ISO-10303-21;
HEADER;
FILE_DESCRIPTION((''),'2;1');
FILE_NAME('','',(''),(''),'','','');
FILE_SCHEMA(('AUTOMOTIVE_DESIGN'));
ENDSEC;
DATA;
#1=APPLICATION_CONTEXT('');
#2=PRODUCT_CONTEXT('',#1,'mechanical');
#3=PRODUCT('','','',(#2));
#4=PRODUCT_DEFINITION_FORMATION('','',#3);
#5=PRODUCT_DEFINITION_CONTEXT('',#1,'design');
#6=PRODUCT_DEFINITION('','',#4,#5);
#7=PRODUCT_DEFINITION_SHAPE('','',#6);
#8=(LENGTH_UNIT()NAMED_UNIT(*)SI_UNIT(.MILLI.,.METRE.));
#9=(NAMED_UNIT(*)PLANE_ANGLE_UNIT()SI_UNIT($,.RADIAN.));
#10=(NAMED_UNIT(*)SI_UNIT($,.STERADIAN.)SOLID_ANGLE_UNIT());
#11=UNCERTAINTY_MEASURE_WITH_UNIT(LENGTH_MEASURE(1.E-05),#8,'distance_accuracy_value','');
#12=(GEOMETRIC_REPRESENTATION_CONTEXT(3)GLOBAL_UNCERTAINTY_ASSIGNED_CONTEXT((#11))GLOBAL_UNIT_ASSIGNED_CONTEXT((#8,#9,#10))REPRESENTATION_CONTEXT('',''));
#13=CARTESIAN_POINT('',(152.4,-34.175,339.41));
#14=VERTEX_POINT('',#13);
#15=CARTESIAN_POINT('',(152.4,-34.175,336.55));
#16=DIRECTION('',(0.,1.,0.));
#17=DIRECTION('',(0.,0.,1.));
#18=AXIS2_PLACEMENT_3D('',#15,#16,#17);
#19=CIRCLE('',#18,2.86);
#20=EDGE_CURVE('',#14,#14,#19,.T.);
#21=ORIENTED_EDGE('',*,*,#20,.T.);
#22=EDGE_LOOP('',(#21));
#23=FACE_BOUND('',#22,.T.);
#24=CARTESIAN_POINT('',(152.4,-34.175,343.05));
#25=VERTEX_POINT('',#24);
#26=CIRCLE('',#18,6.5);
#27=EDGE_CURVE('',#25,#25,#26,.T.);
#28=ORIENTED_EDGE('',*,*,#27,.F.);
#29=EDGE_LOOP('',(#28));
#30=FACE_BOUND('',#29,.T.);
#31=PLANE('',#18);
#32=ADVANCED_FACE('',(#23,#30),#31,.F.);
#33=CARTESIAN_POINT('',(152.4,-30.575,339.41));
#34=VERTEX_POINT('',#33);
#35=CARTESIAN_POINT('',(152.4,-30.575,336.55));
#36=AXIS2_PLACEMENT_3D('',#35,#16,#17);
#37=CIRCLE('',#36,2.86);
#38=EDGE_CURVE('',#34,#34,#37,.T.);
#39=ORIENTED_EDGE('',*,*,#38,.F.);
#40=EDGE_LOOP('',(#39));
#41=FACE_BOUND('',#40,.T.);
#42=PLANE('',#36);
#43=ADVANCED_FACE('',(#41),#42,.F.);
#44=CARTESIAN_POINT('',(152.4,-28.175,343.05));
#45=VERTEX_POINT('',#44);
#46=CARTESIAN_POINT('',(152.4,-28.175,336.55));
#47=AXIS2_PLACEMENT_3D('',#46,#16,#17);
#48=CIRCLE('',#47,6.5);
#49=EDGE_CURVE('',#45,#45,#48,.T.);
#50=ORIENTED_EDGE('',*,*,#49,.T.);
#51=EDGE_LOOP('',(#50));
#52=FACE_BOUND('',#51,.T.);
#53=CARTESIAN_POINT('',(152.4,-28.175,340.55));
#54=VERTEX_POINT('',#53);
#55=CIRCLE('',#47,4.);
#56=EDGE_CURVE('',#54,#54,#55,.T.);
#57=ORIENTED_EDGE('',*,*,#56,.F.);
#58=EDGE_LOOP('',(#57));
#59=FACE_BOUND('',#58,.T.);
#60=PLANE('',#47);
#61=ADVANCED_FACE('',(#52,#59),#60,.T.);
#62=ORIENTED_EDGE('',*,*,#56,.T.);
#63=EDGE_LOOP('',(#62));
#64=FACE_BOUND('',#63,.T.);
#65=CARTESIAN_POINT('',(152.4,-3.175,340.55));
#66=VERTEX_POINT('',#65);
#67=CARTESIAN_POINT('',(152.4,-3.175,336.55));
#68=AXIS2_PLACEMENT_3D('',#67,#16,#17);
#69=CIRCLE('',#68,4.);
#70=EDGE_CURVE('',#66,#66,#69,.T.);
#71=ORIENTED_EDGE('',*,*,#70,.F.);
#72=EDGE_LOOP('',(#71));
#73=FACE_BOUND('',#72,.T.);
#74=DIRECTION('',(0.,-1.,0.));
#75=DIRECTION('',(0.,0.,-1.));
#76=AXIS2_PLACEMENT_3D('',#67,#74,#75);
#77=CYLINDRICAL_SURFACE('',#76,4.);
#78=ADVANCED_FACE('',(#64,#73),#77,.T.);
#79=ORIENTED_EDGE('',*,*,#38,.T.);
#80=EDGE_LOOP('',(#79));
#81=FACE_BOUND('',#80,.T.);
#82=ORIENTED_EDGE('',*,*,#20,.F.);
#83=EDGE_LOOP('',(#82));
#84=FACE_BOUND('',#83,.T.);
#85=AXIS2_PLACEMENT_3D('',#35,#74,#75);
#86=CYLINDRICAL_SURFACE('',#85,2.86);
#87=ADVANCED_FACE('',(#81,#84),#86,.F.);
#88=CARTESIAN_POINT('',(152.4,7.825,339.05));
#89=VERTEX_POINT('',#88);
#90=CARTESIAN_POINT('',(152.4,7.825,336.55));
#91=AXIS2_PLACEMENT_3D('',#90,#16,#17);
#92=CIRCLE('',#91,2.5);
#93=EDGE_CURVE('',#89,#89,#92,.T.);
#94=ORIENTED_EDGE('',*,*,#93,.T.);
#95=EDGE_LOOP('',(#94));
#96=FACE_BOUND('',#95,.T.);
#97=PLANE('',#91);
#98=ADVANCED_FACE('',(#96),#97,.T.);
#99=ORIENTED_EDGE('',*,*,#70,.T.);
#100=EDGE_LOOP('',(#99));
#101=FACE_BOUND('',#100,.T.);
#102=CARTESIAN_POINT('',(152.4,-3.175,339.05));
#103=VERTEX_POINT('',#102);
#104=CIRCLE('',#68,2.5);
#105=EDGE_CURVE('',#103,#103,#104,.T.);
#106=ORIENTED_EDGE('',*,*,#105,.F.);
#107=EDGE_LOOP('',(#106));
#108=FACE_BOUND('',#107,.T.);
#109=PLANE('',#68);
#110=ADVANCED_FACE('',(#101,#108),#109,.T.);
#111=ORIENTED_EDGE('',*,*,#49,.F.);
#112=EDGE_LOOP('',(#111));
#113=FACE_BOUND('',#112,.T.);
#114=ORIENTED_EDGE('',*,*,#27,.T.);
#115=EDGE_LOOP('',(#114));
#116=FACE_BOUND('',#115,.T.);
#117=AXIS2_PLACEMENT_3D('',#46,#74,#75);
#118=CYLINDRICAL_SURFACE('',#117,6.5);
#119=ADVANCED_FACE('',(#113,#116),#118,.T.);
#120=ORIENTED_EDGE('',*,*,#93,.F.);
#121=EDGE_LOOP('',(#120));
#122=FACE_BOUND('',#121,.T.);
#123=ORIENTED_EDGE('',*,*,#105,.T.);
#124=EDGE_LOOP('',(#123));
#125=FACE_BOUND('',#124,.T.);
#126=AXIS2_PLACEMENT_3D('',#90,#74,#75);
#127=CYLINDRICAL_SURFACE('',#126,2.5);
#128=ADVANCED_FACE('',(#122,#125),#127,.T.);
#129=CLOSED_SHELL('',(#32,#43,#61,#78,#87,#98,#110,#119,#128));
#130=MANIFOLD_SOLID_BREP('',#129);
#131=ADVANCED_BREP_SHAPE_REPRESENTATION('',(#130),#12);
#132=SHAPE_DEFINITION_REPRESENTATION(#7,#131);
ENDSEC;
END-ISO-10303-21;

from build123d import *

# Parameters (mm, degrees)
ROSCA_START  = -3.175
CROQUIS1_R   = 2.5
ROSCA_DEPTH  = 11
HOMBRO_START = -28.175
CROQUIS2_R   = 4
HOMBRO_DEPTH = 25
CABEZA_START = -34.175
CROQUIS3_R   = 6.5
CABEZA_DEPTH = 6
ALLEN_START  = -34.175
CROQUIS4_R   = 2.86
ALLEN_DEPTH  = 3.6


with BuildPart() as part:
    # Croquis1 → Rosca (new body)
    with BuildSketch(Plane(origin=(0, 0, 0), x_dir=(1, 0, 0), z_dir=(0, 1, 0)).offset(ROSCA_START)):
        with Locations(Location((152.4, -336.55, 0), (0, 0, 270))):
            Circle(CROQUIS1_R)
    extrude(amount=ROSCA_DEPTH)

    # Croquis2 → Hombro (add)
    with BuildSketch(Plane(origin=(0, 0, 0), x_dir=(1, 0, 0), z_dir=(0, 1, 0)).offset(HOMBRO_START)):
        with Locations(Location((152.4, -336.55, 0), (0, 0, 270))):
            Circle(CROQUIS2_R)
    extrude(amount=HOMBRO_DEPTH)

    # Croquis3 → Cabeza (add)
    with BuildSketch(Plane(origin=(0, 0, 0), x_dir=(1, 0, 0), z_dir=(0, 1, 0)).offset(CABEZA_START)):
        with Locations(Location((152.4, -336.55, 0), (0, 0, 270))):
            Circle(CROQUIS3_R)
    extrude(amount=CABEZA_DEPTH)

    # Croquis4 → Allen (cut)
    with BuildSketch(Plane(origin=(0, 0, 0), x_dir=(1, 0, 0), z_dir=(0, 1, 0)).offset(ALLEN_START)):
        with Locations(Location((152.4, -336.55, 0), (0, 0, 270))):
            Circle(CROQUIS4_R)
    extrude(amount=ALLEN_DEPTH, mode=Mode.SUBTRACT)


solid = part.part
